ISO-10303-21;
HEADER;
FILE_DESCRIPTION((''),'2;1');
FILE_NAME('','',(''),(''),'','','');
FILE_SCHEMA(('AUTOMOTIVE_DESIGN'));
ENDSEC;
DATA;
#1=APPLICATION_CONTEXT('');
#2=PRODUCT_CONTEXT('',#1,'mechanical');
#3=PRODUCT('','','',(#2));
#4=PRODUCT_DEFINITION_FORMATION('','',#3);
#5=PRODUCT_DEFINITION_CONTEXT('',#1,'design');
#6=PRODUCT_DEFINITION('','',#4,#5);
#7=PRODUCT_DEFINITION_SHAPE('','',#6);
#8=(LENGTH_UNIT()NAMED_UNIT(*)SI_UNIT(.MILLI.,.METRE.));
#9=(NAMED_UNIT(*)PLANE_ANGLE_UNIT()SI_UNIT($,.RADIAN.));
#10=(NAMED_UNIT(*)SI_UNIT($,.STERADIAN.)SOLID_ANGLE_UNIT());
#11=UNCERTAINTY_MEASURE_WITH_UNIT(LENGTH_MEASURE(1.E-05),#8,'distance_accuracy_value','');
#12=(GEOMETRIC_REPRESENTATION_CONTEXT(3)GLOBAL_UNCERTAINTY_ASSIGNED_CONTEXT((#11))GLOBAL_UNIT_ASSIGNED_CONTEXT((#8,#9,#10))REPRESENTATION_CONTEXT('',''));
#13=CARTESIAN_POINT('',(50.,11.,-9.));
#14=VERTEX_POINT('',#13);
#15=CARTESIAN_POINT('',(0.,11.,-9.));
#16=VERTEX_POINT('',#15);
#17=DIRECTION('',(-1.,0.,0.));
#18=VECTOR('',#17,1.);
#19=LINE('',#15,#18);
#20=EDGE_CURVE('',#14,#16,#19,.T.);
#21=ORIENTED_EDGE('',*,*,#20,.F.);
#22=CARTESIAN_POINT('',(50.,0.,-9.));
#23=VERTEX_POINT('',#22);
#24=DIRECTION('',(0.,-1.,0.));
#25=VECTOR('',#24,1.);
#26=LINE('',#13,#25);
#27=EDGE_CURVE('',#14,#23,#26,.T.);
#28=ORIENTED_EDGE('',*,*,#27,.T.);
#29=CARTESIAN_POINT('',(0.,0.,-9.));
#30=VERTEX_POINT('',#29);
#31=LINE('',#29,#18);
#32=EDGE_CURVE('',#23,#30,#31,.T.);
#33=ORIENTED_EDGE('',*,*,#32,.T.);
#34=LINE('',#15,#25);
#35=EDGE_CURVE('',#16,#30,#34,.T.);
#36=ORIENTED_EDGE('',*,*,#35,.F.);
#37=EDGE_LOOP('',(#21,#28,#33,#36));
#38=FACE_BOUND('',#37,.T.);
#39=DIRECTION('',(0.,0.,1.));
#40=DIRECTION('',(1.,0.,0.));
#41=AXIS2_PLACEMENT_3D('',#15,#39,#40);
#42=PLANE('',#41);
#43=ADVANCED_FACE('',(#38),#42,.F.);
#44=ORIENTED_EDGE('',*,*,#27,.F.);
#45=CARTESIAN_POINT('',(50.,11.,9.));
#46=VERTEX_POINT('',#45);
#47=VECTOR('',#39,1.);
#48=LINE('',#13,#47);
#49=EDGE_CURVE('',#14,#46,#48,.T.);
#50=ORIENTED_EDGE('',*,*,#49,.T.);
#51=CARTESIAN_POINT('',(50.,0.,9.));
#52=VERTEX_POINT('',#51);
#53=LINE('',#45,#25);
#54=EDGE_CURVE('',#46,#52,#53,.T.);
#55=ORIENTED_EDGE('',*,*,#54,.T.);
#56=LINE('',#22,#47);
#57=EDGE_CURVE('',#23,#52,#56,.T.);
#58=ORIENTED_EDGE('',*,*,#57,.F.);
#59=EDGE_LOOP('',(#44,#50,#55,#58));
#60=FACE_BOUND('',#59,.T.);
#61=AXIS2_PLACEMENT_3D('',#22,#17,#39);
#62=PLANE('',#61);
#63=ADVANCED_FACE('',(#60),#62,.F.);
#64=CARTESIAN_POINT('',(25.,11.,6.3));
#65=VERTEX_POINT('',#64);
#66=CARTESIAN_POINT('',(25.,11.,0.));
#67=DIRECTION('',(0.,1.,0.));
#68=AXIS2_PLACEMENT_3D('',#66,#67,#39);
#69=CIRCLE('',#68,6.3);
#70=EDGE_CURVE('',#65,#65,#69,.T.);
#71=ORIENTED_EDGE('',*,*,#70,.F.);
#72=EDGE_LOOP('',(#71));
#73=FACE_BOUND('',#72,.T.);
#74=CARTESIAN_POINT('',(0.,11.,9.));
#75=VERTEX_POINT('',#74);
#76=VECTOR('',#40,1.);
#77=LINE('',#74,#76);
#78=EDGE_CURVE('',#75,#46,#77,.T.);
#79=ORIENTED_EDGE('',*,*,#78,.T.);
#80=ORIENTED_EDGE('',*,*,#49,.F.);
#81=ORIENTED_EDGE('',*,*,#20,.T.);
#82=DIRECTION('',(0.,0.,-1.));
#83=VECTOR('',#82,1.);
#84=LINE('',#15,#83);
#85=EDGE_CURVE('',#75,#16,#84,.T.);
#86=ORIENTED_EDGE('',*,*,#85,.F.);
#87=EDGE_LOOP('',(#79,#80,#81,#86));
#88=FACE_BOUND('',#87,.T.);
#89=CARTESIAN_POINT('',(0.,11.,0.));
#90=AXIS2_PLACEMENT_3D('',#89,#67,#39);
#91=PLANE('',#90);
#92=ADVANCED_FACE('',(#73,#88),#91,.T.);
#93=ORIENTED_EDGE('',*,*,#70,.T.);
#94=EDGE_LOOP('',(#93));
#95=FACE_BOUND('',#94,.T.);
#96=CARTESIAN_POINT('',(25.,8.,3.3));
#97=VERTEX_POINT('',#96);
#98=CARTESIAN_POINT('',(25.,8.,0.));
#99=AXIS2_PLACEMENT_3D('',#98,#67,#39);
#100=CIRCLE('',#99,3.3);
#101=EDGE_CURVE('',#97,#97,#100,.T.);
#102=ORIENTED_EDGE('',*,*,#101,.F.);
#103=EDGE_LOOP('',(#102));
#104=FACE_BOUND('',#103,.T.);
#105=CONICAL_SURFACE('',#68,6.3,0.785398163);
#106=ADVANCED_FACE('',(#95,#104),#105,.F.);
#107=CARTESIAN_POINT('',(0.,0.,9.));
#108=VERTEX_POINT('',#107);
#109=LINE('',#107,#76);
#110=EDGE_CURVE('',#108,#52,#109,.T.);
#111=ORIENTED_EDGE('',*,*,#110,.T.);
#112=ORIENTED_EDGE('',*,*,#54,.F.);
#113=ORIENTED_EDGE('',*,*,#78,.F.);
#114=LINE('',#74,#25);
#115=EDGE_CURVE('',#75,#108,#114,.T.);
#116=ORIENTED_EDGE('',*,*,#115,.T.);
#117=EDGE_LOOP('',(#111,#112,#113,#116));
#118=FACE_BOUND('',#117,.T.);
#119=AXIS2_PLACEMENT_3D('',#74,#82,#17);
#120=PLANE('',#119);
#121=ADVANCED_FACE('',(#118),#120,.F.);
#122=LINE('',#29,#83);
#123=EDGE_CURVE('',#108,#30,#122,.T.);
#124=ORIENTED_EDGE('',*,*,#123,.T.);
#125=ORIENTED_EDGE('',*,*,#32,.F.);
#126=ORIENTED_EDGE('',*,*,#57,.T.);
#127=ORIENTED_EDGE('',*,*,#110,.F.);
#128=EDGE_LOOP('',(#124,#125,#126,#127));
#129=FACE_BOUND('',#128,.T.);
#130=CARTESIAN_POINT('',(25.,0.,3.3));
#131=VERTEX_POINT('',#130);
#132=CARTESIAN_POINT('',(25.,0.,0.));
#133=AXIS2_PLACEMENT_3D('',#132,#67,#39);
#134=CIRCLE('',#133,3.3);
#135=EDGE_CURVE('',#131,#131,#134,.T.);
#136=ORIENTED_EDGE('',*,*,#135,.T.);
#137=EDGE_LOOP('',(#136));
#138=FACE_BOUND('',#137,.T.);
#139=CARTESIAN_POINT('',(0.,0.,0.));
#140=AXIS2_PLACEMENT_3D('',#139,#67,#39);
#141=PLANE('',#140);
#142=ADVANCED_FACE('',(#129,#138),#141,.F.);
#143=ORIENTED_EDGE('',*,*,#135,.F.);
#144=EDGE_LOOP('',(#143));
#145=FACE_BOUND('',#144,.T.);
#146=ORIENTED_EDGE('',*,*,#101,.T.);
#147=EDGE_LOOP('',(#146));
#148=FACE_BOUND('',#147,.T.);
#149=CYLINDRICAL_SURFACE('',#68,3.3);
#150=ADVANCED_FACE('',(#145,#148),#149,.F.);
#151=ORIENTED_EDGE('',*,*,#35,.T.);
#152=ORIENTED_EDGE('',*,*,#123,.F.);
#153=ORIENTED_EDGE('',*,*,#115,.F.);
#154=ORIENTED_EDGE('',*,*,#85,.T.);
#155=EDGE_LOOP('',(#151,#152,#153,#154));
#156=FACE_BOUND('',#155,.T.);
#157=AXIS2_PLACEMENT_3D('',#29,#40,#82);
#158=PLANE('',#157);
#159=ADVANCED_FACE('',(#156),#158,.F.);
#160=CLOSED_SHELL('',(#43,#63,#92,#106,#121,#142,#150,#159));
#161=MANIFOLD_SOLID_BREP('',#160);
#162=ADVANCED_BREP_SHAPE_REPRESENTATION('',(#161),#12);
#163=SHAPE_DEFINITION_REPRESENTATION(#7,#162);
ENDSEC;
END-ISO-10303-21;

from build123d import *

# Parameters (mm, degrees)
BOSS_EXTRUDE1_DEPTH                                 = 11
SKETCH2_W                                           = 10.92366107
SKETCH2_H                                           = 18
SKETCH2_W_2                                         = 14.331152634
CUT_EXTRUDE1_DEPTH                                  = 12
CSK_FOR_M6_COUNTERSUNK_FLAT_HEAD_SCREW1_D           = 6.6
CSK_FOR_M6_COUNTERSUNK_FLAT_HEAD_SCREW1_CSINK_D     = 12.6
CSK_FOR_M6_COUNTERSUNK_FLAT_HEAD_SCREW1_CSINK_ANGLE = 90


with BuildPart() as part:
    # Sketch1 → Boss-Extrude1 (new body)
    with BuildSketch(Plane(origin=(0, 0, 0), x_dir=(1, 0, 0), z_dir=(0, 1, 0))):
        with BuildLine():
            Line((0, 9), (50, 9))
            ThreePointArc((50, 9), (59, 0), (50, -9))
            Line((50, -9), (0, -9))
            ThreePointArc((0, -9), (-9, 0), (0, 9))
        make_face()
    extrude(amount=BOSS_EXTRUDE1_DEPTH)

    # Sketch2 → Cut-Extrude1 (cut, through all)
    with BuildSketch(Plane(origin=(0, 11, 0), x_dir=(1, 0, 0), z_dir=(0, 1, 0))):
        with Locations((-5.461830535, 0)):
            Rectangle(SKETCH2_W, SKETCH2_H)
        with Locations((57.165576317, 0)):
            Rectangle(SKETCH2_W_2, SKETCH2_H)
    extrude(amount=-CUT_EXTRUDE1_DEPTH, mode=Mode.SUBTRACT)

    # CSK for M6 Countersunk Flat Head Screw1 (through all)
    with Locations(Plane(origin=(0, 11, 0), x_dir=(1, 0, 0), z_dir=(0, 1, 0))):
        with Locations((25, 0)):
            CounterSinkHole(CSK_FOR_M6_COUNTERSUNK_FLAT_HEAD_SCREW1_D / 2, CSK_FOR_M6_COUNTERSUNK_FLAT_HEAD_SCREW1_CSINK_D / 2, counter_sink_angle=CSK_FOR_M6_COUNTERSUNK_FLAT_HEAD_SCREW1_CSINK_ANGLE)


solid = part.part
